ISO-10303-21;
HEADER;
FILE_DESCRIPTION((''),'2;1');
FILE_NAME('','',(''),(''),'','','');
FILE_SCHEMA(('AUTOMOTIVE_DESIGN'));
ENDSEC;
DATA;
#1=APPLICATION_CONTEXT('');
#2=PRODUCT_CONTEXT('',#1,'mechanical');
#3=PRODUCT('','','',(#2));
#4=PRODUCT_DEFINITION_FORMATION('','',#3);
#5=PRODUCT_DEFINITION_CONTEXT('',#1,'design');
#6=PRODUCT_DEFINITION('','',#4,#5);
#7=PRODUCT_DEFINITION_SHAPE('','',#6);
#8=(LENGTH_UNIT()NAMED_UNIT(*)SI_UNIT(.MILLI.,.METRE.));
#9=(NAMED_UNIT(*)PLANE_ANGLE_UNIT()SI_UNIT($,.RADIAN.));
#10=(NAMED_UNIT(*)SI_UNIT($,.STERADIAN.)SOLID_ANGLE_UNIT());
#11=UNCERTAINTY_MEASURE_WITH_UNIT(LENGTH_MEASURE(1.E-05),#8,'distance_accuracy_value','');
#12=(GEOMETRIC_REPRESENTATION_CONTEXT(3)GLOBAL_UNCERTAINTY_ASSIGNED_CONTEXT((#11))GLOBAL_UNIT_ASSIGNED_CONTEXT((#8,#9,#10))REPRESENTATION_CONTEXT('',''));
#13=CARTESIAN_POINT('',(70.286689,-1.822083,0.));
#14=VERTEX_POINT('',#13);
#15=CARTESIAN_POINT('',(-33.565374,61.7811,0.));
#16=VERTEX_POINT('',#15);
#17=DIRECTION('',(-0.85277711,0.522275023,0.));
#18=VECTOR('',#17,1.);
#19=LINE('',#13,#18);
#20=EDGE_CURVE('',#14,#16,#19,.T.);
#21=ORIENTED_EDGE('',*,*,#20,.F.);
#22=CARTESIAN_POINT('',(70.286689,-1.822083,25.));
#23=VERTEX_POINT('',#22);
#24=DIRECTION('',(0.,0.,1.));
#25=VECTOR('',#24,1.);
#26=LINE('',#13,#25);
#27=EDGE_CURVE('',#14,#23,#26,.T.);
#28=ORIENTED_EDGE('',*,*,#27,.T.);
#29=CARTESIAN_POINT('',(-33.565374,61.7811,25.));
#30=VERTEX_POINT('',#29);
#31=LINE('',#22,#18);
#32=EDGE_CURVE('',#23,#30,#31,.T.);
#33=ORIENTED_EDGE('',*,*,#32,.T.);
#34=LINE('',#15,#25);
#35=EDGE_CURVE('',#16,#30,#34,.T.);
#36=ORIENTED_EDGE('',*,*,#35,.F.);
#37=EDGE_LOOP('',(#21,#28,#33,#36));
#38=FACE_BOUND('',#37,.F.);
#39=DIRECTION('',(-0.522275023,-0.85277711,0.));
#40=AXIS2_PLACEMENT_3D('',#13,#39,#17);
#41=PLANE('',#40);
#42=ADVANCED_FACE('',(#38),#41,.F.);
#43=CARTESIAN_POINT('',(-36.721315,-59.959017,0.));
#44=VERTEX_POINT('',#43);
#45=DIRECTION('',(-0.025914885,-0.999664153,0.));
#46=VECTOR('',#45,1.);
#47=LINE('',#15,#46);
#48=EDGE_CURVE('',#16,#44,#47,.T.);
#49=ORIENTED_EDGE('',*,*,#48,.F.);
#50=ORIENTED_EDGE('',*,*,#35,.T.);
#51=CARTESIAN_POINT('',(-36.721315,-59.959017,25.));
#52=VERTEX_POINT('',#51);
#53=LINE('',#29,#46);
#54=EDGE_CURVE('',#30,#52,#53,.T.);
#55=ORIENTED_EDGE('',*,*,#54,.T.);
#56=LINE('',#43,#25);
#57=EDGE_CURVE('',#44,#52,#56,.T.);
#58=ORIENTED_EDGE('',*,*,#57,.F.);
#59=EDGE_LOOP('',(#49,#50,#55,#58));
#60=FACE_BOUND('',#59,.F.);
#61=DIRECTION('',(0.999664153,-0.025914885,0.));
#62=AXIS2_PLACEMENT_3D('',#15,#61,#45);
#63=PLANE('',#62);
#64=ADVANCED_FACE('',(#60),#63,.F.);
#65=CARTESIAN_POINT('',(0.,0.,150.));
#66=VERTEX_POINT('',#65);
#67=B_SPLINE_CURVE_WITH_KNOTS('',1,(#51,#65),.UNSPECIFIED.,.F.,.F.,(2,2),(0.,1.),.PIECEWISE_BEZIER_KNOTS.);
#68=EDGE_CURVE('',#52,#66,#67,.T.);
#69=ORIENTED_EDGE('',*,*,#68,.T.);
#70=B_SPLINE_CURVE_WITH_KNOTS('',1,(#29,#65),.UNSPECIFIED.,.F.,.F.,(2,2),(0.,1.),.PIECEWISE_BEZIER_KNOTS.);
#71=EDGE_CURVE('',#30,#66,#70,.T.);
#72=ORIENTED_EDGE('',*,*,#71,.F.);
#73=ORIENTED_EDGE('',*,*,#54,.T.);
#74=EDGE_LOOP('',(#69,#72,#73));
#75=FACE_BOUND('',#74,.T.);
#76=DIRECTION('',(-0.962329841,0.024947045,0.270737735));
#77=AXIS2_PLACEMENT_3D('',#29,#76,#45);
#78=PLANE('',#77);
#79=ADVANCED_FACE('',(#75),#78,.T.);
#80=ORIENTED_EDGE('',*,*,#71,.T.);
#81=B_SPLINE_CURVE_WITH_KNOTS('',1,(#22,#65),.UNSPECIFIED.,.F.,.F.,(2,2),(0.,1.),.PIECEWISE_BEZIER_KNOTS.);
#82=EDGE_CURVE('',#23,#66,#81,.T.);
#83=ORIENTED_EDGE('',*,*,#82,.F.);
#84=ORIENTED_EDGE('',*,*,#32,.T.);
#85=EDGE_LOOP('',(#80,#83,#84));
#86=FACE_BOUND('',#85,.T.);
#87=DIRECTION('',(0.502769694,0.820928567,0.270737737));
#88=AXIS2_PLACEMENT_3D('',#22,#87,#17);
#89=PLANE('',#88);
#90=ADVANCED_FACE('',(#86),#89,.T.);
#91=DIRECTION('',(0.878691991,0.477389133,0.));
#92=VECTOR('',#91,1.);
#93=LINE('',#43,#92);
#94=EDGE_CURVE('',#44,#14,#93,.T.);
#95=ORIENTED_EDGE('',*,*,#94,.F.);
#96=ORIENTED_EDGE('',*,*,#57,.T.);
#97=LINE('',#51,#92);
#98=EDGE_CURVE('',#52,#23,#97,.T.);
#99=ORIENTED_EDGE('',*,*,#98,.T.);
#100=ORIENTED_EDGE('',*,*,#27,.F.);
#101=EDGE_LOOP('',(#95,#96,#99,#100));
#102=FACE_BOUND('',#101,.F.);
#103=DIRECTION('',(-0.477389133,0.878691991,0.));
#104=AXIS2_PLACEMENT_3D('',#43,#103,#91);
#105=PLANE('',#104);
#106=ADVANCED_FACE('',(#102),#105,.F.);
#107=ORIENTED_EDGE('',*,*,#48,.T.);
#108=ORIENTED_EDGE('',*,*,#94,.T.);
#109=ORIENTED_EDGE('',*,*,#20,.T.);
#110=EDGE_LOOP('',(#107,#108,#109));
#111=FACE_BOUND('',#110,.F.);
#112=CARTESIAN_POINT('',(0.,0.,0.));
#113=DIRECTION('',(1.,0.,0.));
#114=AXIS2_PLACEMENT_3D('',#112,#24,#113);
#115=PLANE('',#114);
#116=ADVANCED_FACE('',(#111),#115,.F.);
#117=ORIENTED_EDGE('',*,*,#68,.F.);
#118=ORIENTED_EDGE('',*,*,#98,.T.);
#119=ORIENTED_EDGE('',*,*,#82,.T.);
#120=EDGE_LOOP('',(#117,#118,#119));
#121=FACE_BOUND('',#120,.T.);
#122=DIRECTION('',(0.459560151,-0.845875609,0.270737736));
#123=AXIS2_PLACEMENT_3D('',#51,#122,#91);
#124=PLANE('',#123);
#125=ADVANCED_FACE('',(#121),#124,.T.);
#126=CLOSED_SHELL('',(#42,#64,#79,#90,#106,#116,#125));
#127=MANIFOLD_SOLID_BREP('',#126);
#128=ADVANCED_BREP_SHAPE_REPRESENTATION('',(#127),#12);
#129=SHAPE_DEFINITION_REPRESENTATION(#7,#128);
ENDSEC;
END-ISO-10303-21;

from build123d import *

# Parameters (mm, degrees)
F1_DEPTH = 25


with BuildPart() as f1:
    # F0 (on Top) → F1 (new body)
    with BuildSketch(Plane.XY):
        Polygon((70.286689, -1.822083), (-33.565374, 61.7811), (-36.721315, -59.959017), align=None)
    extrude(amount=F1_DEPTH)

    # F1_face (on face) → F4 section 0
    with BuildSketch(Plane.XY.offset(25), mode=Mode.PRIVATE) as f4_s0:
        Polygon((-36.721315, -59.959017), (70.286689, -1.822083), (-33.565374, 61.7811), align=None)
    loft([f4_s0.sketch, Vertex(0, 0, 150)])


solid = f1.part
